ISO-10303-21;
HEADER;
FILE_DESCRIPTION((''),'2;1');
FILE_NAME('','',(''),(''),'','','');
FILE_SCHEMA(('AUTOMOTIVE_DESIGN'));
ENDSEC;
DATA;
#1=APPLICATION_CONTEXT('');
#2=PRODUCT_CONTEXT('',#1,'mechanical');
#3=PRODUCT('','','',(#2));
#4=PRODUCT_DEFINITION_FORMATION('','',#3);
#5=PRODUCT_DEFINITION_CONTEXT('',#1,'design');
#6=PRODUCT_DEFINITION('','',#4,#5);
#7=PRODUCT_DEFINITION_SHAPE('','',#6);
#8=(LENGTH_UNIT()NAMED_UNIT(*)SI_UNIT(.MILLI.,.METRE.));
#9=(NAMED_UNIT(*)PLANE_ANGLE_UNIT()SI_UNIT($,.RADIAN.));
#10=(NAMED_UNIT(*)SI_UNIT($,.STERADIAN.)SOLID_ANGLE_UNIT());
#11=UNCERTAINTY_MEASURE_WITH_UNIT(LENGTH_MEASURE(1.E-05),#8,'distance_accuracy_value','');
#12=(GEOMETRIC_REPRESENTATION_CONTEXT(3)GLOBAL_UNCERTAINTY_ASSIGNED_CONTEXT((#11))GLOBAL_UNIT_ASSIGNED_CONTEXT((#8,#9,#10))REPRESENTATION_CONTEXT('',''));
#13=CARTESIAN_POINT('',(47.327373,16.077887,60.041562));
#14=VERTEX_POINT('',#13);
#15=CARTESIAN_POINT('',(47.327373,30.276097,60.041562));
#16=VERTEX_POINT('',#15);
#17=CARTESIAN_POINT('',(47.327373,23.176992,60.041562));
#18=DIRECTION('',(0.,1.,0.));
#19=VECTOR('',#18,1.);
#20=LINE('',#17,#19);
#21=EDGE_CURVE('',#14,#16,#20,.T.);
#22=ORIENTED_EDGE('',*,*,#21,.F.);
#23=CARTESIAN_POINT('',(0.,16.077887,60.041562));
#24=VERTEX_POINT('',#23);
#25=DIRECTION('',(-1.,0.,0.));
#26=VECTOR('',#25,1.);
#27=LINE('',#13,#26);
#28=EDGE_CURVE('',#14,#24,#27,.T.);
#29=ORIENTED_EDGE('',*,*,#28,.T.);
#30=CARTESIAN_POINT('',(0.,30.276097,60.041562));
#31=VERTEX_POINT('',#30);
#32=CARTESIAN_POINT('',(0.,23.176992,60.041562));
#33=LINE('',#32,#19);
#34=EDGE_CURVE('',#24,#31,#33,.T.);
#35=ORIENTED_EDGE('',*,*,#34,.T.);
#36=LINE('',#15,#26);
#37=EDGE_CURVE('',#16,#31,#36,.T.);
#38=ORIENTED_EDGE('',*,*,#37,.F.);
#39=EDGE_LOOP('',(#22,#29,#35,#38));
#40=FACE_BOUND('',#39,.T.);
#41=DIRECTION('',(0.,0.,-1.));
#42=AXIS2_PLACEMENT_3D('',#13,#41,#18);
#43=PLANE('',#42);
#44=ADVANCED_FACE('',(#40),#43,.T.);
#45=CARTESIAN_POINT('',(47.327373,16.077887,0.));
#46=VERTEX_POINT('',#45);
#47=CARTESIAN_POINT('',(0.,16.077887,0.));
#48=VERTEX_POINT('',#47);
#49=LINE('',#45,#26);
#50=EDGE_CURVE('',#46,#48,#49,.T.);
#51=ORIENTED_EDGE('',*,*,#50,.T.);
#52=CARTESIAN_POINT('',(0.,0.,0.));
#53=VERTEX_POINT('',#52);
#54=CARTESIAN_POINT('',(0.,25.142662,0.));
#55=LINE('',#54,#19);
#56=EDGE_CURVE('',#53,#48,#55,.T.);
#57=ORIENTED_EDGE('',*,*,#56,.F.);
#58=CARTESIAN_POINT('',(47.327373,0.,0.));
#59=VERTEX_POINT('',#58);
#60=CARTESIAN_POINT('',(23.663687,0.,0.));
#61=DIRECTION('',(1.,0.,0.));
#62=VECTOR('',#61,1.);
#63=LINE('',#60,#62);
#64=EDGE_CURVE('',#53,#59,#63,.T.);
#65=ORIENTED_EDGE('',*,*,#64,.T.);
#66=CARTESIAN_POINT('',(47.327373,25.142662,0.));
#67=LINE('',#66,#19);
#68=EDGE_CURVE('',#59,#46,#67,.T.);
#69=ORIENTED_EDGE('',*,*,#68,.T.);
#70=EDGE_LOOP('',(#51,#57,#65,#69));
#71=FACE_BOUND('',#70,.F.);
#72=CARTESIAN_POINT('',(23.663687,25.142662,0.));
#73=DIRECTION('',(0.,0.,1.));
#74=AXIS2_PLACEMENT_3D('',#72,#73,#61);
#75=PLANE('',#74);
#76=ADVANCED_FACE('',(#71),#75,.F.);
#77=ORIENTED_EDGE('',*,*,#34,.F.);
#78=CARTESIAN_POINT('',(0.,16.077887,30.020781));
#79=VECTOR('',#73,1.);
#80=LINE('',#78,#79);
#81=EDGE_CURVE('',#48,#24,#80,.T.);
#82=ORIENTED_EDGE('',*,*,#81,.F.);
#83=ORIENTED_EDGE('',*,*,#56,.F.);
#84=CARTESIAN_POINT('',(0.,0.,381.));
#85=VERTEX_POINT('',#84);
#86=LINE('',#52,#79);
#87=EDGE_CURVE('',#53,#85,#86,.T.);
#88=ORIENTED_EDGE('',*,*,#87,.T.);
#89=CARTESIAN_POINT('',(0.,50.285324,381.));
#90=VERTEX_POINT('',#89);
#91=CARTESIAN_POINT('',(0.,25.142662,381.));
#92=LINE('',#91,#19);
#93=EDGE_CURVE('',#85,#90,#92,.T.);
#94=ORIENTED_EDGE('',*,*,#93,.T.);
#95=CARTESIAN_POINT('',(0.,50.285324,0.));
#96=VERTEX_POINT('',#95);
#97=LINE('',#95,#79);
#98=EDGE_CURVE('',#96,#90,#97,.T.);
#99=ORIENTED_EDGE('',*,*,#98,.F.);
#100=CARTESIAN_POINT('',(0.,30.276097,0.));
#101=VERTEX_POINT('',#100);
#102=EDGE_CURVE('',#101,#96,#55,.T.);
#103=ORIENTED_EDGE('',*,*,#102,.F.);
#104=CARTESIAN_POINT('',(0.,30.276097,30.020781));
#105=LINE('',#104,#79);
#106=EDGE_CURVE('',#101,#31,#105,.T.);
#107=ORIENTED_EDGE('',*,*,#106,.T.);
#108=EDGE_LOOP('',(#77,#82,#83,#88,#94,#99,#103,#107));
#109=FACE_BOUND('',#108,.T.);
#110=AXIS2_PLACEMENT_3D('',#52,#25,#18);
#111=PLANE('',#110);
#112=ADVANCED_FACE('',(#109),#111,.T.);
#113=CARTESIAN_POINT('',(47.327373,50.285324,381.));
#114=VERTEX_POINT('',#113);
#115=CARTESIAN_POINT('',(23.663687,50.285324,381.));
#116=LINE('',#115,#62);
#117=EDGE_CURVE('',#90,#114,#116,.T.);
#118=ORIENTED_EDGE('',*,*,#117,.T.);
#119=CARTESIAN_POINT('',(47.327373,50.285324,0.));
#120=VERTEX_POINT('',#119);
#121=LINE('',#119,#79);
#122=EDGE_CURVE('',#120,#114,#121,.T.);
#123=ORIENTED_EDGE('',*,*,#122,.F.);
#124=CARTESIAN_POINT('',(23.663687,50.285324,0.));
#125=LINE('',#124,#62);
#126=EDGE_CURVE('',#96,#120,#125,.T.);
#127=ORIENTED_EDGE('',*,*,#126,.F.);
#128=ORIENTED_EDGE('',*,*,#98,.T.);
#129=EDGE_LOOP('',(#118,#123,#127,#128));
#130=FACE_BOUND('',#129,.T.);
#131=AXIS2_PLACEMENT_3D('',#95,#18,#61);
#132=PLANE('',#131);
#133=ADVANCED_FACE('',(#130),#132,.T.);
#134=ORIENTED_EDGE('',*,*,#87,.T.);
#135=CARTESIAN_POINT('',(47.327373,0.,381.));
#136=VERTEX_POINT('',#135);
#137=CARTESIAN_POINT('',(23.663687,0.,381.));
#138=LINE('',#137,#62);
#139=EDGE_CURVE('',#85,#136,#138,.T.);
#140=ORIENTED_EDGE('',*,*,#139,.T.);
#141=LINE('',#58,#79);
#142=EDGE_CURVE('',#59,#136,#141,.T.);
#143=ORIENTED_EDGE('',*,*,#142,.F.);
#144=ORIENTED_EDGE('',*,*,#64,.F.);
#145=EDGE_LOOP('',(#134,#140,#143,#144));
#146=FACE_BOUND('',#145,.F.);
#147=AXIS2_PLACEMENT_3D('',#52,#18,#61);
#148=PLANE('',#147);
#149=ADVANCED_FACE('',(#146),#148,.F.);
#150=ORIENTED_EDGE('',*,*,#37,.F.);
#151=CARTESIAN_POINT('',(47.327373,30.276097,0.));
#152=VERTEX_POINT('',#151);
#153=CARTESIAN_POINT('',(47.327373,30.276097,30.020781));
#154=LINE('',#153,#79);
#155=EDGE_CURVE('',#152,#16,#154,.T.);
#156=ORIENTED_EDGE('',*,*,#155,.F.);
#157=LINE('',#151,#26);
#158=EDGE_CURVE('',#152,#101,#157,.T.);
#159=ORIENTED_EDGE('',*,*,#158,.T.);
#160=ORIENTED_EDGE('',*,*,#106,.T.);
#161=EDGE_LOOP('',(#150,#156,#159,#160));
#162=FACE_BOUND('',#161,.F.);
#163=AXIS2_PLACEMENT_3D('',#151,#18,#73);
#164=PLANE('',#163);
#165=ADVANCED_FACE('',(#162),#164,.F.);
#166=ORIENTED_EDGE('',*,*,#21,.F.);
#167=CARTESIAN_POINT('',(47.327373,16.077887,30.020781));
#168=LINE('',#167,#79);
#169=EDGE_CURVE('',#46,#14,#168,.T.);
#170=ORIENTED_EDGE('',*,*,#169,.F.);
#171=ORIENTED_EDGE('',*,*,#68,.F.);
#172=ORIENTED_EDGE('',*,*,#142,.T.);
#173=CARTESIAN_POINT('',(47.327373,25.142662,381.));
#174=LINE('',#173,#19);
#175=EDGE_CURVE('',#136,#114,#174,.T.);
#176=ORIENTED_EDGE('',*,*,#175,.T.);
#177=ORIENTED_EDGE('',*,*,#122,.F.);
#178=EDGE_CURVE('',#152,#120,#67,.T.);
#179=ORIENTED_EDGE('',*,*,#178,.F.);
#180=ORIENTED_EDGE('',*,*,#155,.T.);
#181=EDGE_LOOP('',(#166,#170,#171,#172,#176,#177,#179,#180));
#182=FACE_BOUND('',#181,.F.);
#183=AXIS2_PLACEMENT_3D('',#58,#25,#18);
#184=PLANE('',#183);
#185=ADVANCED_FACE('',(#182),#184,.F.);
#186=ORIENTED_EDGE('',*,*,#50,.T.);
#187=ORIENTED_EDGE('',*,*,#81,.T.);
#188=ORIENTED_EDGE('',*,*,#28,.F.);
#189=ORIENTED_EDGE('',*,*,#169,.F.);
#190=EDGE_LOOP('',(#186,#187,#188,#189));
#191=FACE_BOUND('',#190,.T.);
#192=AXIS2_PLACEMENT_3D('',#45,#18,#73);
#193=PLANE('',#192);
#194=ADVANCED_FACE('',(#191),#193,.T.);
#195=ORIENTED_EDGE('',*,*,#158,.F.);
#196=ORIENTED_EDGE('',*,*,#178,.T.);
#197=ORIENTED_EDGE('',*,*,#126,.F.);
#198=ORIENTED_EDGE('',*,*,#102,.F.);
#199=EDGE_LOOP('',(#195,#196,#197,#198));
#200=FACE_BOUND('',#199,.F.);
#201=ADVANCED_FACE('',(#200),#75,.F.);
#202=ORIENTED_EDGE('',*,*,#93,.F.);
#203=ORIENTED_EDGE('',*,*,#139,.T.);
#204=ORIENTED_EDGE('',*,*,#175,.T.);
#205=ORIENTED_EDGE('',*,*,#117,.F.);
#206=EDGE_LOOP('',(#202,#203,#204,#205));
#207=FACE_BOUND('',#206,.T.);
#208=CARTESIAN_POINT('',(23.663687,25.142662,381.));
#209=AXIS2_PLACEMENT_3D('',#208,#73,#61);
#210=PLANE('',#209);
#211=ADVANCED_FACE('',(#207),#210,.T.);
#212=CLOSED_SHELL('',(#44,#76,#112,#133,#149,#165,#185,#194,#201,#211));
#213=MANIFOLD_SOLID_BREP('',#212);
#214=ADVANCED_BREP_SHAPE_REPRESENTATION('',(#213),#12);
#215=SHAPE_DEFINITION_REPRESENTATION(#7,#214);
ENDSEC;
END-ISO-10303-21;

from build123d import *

# Parameters (mm, degrees)
F0_W     = 47.3273731768
F0_H     = 50.2853244543
F1_DEPTH = 381
F2_W     = 14.1982100904
F2_H     = 60.0415617228
F3_DEPTH = 47.3273731768


with BuildPart() as f1:
    # F0 (on Top) → F1 (new body)
    with BuildSketch(Plane.XY):
        with Locations((23.6636865884, 25.1426622272)):
            Rectangle(F0_W, F0_H)
    extrude(amount=F1_DEPTH)

    # F2 (on face) → F3 (cut, through all)
    with BuildSketch(Plane.YZ.offset(47.3273731768)):
        with Locations((23.1769923121, 30.0207808614)):
            Rectangle(F2_W, F2_H)
    extrude(amount=-F3_DEPTH, mode=Mode.SUBTRACT)


solid = f1.part
